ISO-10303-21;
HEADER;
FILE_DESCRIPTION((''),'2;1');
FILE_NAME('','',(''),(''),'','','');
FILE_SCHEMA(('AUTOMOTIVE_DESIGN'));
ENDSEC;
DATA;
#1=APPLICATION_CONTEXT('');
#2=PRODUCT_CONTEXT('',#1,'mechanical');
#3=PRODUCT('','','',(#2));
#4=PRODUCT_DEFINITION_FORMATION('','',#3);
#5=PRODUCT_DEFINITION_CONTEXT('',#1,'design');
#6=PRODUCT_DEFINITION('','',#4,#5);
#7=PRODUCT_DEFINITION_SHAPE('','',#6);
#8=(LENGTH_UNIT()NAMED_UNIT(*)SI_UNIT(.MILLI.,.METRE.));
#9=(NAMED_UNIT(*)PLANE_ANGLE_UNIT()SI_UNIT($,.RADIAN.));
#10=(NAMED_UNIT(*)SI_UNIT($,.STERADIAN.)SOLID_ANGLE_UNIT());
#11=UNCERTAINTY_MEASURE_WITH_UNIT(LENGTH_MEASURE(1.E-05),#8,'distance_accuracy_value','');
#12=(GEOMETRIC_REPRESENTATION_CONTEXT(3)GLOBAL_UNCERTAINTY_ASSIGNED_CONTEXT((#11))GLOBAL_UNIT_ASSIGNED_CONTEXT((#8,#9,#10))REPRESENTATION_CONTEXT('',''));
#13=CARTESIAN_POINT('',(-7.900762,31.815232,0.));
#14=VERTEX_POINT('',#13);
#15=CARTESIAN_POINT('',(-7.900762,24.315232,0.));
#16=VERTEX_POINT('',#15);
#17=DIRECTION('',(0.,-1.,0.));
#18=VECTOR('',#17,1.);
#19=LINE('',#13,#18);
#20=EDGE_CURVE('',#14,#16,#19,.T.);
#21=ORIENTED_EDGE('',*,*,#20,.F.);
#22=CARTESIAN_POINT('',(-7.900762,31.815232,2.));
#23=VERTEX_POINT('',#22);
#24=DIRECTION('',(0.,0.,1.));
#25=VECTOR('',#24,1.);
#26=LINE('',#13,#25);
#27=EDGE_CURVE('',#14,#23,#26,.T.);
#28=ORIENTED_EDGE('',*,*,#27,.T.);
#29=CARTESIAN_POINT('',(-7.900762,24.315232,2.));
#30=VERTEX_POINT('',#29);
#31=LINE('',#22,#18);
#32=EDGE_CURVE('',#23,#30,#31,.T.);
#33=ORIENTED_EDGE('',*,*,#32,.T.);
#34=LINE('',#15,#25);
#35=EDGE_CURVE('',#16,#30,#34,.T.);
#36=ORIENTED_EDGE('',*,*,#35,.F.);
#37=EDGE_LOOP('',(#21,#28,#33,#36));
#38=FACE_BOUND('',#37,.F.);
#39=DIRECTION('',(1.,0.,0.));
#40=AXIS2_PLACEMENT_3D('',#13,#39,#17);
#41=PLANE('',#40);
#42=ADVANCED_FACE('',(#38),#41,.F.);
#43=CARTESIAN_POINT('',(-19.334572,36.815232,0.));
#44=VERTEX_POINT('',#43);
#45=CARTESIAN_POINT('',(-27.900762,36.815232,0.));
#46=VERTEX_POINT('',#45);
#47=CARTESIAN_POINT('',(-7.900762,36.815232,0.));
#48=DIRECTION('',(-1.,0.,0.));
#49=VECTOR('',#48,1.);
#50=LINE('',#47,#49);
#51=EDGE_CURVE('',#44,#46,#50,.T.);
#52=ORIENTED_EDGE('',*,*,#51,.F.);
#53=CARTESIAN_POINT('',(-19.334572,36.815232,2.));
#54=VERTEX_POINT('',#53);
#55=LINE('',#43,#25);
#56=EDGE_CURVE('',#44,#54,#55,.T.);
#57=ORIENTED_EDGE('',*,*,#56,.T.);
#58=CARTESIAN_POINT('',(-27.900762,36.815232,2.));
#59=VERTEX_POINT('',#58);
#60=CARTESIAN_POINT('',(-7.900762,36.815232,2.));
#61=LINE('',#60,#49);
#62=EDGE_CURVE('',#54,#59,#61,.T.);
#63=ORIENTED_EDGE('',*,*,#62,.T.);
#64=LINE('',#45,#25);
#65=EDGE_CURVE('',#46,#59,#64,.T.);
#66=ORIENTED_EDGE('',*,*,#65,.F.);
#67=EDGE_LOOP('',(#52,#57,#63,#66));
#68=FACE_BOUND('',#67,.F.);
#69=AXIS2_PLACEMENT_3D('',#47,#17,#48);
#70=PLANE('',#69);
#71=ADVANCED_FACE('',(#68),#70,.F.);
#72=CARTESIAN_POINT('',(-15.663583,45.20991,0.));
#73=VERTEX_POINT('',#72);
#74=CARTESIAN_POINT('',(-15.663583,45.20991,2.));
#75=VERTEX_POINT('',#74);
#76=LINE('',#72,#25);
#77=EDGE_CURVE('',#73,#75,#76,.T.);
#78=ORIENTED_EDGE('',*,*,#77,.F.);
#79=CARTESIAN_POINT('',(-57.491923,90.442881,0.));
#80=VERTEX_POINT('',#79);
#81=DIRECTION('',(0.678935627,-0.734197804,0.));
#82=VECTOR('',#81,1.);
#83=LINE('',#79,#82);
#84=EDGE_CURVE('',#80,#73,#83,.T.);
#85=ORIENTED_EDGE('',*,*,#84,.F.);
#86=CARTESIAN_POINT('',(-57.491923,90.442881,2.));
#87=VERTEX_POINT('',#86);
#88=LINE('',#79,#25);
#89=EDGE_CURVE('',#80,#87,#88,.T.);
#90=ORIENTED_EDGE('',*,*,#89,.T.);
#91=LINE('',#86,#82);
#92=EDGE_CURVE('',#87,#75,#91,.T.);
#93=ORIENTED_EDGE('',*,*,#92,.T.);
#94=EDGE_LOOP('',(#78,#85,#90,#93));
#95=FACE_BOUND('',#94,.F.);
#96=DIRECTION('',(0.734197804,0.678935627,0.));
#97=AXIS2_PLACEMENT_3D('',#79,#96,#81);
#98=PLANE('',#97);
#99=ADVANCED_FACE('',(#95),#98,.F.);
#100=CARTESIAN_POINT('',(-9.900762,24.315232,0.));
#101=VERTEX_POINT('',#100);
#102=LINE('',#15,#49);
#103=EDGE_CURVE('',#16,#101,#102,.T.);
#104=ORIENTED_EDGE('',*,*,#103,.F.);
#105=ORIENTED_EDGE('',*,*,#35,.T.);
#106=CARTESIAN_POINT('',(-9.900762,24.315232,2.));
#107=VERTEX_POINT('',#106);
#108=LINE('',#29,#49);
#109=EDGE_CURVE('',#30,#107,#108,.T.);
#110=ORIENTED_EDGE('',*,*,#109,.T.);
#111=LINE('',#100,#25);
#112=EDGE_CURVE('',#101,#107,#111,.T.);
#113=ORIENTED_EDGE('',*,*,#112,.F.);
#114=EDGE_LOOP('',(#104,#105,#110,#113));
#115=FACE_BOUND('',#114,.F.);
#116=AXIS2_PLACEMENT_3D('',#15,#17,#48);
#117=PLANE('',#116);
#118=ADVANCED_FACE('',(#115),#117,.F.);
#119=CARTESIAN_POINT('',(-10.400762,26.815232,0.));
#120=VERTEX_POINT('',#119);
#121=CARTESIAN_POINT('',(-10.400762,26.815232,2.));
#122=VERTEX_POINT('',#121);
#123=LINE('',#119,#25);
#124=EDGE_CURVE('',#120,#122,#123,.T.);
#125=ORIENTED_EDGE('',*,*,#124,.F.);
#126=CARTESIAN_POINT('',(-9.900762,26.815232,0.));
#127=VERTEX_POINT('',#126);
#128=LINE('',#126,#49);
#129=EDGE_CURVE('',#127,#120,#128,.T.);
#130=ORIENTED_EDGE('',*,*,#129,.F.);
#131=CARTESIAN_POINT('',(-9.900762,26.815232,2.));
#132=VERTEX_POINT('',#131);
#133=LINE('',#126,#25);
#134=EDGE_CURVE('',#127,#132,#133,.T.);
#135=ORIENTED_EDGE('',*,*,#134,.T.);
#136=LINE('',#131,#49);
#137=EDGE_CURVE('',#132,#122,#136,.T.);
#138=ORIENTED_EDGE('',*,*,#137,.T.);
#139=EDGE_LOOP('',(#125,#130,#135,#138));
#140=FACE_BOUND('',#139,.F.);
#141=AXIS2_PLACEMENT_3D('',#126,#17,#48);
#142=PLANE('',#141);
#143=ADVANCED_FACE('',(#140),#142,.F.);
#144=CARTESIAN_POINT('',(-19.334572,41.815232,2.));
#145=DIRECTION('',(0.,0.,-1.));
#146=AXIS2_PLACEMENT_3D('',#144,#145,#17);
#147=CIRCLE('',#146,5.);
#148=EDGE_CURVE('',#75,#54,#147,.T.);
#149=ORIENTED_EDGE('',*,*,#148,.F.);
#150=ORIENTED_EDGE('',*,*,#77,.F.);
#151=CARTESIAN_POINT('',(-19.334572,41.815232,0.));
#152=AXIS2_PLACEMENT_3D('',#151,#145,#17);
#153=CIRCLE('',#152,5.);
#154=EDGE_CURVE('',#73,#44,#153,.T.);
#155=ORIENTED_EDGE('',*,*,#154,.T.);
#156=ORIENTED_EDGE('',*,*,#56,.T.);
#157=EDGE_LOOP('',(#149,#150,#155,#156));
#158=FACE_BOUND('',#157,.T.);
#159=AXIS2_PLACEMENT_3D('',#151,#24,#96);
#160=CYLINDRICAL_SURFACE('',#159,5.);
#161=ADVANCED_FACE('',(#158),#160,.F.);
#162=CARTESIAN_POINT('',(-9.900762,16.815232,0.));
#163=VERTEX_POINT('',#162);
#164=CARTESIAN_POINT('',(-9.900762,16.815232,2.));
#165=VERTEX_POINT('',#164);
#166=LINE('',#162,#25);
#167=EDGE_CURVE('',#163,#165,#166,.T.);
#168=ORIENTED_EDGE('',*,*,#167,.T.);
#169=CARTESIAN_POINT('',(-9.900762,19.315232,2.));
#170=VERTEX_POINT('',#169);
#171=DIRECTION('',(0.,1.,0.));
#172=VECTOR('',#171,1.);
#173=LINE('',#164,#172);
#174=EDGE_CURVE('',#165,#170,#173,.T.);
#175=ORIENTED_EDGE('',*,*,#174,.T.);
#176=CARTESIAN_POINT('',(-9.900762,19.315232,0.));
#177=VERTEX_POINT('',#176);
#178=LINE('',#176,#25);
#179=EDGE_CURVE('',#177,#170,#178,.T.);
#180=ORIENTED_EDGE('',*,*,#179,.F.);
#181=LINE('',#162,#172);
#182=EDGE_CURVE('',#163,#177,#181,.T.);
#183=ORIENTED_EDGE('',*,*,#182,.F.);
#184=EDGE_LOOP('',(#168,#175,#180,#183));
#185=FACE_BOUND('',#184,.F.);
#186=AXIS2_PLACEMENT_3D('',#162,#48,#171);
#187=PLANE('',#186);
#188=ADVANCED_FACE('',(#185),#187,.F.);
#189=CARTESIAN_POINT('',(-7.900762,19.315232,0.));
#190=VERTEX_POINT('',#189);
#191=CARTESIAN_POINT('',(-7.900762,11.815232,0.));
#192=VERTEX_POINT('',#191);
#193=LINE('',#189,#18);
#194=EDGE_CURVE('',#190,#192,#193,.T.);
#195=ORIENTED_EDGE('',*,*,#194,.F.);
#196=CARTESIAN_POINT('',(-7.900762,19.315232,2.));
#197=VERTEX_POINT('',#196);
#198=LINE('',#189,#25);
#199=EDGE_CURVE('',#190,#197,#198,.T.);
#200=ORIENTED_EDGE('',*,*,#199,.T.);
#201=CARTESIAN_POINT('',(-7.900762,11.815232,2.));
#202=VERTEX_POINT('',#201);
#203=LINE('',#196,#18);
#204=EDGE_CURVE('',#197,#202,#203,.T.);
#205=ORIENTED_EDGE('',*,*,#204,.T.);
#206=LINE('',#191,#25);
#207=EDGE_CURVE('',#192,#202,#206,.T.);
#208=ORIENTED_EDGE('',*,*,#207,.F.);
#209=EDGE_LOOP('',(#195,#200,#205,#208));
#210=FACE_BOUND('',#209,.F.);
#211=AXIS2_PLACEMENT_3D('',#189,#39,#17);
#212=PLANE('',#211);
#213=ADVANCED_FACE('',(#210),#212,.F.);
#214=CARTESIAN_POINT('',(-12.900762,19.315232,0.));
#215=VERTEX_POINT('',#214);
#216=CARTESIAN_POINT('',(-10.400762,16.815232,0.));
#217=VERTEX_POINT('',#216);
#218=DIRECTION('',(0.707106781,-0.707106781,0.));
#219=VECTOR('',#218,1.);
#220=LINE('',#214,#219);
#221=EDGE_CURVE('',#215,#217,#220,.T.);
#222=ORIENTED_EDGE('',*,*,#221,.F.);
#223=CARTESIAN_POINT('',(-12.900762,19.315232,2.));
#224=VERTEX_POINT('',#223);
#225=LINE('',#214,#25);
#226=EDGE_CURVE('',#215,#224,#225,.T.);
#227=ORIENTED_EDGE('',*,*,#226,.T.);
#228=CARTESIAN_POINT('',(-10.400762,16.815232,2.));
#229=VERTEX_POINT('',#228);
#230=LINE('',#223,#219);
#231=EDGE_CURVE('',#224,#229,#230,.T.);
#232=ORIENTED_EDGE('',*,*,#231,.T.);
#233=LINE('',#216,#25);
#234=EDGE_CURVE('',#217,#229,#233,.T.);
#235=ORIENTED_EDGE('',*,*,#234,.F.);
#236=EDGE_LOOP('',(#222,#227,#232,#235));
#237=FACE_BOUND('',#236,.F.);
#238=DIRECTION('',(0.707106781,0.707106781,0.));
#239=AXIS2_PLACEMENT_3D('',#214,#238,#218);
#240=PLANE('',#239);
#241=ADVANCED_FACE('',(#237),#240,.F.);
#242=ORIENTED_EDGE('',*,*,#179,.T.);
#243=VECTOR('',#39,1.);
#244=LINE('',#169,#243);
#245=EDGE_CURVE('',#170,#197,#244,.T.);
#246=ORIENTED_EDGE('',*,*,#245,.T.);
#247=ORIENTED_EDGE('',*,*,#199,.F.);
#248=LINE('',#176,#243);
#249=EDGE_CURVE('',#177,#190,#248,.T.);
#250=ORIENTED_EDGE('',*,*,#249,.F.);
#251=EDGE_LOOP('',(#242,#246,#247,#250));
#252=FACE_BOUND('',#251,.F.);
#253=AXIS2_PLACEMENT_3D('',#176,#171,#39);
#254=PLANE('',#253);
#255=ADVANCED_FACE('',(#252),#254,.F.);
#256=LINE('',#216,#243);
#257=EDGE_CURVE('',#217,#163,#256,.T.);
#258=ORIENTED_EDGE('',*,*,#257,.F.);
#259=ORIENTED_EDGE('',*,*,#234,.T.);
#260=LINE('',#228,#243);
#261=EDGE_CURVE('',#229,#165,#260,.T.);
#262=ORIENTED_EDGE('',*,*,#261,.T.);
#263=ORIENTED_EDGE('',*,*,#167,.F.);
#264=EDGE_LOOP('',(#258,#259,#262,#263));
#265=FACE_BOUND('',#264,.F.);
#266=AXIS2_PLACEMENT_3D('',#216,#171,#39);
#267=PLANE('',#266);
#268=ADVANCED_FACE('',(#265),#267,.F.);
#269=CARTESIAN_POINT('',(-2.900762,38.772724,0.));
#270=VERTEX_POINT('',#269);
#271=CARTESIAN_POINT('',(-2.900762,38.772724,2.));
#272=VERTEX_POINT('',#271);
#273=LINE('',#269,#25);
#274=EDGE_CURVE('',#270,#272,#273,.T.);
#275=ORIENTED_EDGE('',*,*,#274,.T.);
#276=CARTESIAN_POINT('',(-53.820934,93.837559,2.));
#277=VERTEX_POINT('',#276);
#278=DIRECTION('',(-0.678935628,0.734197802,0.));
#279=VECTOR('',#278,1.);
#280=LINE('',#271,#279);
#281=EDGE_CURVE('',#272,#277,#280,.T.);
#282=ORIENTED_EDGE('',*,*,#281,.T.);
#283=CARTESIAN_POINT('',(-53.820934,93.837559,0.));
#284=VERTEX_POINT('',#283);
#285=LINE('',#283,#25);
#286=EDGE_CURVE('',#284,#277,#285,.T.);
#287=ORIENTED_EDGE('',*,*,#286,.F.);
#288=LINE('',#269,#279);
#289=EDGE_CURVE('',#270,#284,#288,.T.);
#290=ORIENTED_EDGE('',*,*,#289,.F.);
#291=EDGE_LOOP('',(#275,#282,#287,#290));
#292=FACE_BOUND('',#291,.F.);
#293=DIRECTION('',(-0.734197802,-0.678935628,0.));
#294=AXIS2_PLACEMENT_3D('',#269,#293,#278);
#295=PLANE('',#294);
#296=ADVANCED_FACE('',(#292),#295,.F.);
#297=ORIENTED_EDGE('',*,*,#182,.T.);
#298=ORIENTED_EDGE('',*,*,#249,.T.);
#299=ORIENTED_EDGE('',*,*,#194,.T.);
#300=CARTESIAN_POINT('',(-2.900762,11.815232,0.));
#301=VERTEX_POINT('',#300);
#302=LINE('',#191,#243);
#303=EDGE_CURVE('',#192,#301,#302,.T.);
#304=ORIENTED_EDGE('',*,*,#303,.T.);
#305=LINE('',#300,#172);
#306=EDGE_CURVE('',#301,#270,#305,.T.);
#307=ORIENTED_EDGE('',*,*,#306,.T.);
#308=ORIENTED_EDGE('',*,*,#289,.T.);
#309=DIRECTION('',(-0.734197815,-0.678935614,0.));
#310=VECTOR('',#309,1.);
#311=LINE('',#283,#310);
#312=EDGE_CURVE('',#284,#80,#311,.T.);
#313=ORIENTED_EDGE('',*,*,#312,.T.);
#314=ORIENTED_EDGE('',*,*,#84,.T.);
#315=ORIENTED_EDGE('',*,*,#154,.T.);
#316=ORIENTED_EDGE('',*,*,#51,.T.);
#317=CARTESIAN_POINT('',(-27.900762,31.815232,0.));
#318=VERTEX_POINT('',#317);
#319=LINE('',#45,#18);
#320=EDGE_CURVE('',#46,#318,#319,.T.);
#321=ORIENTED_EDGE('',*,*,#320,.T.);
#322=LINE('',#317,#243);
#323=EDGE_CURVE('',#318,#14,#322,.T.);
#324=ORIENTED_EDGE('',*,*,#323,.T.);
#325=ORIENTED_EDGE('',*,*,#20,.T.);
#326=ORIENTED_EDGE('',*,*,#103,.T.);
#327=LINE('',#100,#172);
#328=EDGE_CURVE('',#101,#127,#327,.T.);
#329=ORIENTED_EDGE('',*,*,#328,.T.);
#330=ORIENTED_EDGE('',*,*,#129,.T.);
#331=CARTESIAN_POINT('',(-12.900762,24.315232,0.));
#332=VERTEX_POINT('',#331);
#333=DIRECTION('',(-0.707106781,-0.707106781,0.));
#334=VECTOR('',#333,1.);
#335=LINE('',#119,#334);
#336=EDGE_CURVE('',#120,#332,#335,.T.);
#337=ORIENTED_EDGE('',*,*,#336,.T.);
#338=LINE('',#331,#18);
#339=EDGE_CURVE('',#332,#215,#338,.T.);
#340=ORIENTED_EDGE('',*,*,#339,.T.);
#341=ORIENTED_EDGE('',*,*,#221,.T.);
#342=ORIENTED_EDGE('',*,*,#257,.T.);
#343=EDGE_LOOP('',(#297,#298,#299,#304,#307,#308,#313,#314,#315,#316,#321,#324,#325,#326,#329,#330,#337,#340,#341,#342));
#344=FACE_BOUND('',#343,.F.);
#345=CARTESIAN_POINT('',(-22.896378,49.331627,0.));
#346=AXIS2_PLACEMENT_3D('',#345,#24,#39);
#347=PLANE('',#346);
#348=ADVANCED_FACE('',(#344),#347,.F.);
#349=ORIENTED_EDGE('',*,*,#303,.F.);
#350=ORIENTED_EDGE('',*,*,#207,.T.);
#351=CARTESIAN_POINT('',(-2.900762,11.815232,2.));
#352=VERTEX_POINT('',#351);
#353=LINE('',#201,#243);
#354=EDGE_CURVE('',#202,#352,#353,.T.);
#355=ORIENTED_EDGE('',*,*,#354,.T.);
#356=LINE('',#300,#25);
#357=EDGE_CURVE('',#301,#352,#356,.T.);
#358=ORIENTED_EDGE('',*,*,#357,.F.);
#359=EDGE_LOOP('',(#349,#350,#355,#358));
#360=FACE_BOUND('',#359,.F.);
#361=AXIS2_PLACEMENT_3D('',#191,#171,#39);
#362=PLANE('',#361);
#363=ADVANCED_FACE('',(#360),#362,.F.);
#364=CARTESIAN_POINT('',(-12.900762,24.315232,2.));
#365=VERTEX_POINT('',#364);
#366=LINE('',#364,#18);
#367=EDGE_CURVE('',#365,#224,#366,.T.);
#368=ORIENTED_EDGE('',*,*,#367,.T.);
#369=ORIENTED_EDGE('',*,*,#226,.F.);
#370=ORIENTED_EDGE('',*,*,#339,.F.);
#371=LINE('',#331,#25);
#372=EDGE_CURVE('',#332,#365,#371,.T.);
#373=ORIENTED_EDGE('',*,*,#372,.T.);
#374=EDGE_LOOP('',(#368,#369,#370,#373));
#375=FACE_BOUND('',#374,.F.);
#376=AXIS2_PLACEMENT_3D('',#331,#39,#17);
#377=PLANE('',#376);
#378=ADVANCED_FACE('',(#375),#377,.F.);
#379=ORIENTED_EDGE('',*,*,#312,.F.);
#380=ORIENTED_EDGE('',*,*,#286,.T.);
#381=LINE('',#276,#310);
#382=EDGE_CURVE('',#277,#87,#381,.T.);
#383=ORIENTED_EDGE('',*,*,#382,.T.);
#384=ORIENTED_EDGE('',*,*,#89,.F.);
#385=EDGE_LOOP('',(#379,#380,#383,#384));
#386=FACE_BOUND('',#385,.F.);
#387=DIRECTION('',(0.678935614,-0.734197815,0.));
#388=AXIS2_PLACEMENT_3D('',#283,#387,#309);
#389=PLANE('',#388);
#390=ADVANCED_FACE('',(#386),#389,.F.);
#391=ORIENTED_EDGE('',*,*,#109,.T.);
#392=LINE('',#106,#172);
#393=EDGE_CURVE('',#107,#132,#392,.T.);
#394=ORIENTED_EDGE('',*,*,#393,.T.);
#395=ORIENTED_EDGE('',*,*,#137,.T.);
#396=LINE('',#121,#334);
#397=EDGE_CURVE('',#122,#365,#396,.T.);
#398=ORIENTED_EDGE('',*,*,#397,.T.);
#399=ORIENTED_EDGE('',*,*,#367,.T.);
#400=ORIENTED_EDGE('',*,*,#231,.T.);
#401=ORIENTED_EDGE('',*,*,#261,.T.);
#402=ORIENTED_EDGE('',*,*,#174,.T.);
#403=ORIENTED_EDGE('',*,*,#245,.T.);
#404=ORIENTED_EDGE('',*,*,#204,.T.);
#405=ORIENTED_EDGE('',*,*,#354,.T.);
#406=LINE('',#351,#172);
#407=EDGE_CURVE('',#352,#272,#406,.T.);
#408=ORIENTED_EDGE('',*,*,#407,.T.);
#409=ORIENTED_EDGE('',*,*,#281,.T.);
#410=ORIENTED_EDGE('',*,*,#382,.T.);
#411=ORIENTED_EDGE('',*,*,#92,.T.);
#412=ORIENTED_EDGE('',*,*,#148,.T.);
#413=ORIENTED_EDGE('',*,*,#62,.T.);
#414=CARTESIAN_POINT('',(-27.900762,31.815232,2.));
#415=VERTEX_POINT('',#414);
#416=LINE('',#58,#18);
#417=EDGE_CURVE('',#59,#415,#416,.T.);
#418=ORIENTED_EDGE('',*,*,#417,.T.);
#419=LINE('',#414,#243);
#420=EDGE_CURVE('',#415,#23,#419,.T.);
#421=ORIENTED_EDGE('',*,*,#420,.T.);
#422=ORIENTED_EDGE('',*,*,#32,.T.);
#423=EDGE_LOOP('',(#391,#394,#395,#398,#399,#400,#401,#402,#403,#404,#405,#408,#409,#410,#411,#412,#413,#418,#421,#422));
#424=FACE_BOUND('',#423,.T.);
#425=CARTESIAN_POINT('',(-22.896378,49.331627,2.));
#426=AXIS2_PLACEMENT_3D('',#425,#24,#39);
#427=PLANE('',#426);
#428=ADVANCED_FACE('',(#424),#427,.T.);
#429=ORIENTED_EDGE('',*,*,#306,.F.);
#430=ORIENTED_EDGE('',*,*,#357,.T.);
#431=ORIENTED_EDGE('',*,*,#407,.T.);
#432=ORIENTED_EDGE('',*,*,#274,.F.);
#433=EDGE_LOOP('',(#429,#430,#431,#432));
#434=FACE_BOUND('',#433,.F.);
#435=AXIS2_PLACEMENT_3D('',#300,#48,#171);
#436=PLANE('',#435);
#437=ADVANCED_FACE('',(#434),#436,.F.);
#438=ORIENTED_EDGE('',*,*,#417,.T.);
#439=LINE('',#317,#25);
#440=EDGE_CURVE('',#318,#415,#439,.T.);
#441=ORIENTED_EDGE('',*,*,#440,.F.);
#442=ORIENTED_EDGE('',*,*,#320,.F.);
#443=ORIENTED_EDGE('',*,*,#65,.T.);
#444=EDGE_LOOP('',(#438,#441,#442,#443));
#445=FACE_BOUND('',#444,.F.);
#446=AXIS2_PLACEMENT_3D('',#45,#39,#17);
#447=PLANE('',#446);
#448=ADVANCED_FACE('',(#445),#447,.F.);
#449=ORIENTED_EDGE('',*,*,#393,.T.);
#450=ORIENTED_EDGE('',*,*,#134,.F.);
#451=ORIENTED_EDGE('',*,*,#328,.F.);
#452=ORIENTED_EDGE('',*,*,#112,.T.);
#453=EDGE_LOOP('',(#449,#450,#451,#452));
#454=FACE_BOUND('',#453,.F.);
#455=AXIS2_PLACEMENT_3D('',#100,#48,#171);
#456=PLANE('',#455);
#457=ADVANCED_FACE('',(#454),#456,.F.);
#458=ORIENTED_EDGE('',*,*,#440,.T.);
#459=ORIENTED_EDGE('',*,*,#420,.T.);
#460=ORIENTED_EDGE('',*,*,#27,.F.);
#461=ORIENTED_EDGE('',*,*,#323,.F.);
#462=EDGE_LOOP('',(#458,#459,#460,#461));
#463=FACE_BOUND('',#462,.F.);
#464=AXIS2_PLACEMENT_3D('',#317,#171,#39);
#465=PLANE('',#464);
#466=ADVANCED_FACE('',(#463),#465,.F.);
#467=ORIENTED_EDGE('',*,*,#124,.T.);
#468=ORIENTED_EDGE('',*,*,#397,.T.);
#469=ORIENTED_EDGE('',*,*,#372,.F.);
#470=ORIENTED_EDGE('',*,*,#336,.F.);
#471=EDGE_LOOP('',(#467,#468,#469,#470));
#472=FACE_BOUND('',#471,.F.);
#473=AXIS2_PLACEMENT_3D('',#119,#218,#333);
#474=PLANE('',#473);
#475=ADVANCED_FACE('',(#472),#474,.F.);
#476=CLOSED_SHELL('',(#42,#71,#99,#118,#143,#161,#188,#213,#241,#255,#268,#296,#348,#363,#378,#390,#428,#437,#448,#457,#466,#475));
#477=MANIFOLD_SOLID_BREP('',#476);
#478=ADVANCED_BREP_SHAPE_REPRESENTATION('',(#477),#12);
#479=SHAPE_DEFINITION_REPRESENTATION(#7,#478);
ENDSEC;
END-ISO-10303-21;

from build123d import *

# Parameters (mm, degrees)
F1_DEPTH = 2
F2_R     = 5


with BuildPart() as f1:
    # F0 (on Top) → F1 (new body)
    with BuildSketch(Plane.XY):
        Polygon((-27.900762, 36.815232), (-27.900762, 31.815232), (-7.900762, 31.815232), (-7.900762, 24.315232), (-9.900762, 24.315232), (-9.900762, 26.815232), (-10.400762, 26.815232), (-12.900762, 24.315232), (-12.900762, 19.315232), (-10.400762, 16.815232), (-9.900762, 16.815232), (-9.900762, 19.315232), (-7.900762, 19.315232), (-7.900762, 11.815232), (-2.900762, 11.815232), (-2.900762, 38.772724), (-53.820934, 93.837559), (-57.491923, 90.442881), (-7.900762, 36.815232), align=None)
    extrude(amount=F1_DEPTH)

    # F2
    f2_edges = [f1.edges().sort_by_distance(p)[0] for p in [
        (-7.900762, 36.815232, 1),
    ]]
    fillet(f2_edges, radius=F2_R)


solid = f1.part
